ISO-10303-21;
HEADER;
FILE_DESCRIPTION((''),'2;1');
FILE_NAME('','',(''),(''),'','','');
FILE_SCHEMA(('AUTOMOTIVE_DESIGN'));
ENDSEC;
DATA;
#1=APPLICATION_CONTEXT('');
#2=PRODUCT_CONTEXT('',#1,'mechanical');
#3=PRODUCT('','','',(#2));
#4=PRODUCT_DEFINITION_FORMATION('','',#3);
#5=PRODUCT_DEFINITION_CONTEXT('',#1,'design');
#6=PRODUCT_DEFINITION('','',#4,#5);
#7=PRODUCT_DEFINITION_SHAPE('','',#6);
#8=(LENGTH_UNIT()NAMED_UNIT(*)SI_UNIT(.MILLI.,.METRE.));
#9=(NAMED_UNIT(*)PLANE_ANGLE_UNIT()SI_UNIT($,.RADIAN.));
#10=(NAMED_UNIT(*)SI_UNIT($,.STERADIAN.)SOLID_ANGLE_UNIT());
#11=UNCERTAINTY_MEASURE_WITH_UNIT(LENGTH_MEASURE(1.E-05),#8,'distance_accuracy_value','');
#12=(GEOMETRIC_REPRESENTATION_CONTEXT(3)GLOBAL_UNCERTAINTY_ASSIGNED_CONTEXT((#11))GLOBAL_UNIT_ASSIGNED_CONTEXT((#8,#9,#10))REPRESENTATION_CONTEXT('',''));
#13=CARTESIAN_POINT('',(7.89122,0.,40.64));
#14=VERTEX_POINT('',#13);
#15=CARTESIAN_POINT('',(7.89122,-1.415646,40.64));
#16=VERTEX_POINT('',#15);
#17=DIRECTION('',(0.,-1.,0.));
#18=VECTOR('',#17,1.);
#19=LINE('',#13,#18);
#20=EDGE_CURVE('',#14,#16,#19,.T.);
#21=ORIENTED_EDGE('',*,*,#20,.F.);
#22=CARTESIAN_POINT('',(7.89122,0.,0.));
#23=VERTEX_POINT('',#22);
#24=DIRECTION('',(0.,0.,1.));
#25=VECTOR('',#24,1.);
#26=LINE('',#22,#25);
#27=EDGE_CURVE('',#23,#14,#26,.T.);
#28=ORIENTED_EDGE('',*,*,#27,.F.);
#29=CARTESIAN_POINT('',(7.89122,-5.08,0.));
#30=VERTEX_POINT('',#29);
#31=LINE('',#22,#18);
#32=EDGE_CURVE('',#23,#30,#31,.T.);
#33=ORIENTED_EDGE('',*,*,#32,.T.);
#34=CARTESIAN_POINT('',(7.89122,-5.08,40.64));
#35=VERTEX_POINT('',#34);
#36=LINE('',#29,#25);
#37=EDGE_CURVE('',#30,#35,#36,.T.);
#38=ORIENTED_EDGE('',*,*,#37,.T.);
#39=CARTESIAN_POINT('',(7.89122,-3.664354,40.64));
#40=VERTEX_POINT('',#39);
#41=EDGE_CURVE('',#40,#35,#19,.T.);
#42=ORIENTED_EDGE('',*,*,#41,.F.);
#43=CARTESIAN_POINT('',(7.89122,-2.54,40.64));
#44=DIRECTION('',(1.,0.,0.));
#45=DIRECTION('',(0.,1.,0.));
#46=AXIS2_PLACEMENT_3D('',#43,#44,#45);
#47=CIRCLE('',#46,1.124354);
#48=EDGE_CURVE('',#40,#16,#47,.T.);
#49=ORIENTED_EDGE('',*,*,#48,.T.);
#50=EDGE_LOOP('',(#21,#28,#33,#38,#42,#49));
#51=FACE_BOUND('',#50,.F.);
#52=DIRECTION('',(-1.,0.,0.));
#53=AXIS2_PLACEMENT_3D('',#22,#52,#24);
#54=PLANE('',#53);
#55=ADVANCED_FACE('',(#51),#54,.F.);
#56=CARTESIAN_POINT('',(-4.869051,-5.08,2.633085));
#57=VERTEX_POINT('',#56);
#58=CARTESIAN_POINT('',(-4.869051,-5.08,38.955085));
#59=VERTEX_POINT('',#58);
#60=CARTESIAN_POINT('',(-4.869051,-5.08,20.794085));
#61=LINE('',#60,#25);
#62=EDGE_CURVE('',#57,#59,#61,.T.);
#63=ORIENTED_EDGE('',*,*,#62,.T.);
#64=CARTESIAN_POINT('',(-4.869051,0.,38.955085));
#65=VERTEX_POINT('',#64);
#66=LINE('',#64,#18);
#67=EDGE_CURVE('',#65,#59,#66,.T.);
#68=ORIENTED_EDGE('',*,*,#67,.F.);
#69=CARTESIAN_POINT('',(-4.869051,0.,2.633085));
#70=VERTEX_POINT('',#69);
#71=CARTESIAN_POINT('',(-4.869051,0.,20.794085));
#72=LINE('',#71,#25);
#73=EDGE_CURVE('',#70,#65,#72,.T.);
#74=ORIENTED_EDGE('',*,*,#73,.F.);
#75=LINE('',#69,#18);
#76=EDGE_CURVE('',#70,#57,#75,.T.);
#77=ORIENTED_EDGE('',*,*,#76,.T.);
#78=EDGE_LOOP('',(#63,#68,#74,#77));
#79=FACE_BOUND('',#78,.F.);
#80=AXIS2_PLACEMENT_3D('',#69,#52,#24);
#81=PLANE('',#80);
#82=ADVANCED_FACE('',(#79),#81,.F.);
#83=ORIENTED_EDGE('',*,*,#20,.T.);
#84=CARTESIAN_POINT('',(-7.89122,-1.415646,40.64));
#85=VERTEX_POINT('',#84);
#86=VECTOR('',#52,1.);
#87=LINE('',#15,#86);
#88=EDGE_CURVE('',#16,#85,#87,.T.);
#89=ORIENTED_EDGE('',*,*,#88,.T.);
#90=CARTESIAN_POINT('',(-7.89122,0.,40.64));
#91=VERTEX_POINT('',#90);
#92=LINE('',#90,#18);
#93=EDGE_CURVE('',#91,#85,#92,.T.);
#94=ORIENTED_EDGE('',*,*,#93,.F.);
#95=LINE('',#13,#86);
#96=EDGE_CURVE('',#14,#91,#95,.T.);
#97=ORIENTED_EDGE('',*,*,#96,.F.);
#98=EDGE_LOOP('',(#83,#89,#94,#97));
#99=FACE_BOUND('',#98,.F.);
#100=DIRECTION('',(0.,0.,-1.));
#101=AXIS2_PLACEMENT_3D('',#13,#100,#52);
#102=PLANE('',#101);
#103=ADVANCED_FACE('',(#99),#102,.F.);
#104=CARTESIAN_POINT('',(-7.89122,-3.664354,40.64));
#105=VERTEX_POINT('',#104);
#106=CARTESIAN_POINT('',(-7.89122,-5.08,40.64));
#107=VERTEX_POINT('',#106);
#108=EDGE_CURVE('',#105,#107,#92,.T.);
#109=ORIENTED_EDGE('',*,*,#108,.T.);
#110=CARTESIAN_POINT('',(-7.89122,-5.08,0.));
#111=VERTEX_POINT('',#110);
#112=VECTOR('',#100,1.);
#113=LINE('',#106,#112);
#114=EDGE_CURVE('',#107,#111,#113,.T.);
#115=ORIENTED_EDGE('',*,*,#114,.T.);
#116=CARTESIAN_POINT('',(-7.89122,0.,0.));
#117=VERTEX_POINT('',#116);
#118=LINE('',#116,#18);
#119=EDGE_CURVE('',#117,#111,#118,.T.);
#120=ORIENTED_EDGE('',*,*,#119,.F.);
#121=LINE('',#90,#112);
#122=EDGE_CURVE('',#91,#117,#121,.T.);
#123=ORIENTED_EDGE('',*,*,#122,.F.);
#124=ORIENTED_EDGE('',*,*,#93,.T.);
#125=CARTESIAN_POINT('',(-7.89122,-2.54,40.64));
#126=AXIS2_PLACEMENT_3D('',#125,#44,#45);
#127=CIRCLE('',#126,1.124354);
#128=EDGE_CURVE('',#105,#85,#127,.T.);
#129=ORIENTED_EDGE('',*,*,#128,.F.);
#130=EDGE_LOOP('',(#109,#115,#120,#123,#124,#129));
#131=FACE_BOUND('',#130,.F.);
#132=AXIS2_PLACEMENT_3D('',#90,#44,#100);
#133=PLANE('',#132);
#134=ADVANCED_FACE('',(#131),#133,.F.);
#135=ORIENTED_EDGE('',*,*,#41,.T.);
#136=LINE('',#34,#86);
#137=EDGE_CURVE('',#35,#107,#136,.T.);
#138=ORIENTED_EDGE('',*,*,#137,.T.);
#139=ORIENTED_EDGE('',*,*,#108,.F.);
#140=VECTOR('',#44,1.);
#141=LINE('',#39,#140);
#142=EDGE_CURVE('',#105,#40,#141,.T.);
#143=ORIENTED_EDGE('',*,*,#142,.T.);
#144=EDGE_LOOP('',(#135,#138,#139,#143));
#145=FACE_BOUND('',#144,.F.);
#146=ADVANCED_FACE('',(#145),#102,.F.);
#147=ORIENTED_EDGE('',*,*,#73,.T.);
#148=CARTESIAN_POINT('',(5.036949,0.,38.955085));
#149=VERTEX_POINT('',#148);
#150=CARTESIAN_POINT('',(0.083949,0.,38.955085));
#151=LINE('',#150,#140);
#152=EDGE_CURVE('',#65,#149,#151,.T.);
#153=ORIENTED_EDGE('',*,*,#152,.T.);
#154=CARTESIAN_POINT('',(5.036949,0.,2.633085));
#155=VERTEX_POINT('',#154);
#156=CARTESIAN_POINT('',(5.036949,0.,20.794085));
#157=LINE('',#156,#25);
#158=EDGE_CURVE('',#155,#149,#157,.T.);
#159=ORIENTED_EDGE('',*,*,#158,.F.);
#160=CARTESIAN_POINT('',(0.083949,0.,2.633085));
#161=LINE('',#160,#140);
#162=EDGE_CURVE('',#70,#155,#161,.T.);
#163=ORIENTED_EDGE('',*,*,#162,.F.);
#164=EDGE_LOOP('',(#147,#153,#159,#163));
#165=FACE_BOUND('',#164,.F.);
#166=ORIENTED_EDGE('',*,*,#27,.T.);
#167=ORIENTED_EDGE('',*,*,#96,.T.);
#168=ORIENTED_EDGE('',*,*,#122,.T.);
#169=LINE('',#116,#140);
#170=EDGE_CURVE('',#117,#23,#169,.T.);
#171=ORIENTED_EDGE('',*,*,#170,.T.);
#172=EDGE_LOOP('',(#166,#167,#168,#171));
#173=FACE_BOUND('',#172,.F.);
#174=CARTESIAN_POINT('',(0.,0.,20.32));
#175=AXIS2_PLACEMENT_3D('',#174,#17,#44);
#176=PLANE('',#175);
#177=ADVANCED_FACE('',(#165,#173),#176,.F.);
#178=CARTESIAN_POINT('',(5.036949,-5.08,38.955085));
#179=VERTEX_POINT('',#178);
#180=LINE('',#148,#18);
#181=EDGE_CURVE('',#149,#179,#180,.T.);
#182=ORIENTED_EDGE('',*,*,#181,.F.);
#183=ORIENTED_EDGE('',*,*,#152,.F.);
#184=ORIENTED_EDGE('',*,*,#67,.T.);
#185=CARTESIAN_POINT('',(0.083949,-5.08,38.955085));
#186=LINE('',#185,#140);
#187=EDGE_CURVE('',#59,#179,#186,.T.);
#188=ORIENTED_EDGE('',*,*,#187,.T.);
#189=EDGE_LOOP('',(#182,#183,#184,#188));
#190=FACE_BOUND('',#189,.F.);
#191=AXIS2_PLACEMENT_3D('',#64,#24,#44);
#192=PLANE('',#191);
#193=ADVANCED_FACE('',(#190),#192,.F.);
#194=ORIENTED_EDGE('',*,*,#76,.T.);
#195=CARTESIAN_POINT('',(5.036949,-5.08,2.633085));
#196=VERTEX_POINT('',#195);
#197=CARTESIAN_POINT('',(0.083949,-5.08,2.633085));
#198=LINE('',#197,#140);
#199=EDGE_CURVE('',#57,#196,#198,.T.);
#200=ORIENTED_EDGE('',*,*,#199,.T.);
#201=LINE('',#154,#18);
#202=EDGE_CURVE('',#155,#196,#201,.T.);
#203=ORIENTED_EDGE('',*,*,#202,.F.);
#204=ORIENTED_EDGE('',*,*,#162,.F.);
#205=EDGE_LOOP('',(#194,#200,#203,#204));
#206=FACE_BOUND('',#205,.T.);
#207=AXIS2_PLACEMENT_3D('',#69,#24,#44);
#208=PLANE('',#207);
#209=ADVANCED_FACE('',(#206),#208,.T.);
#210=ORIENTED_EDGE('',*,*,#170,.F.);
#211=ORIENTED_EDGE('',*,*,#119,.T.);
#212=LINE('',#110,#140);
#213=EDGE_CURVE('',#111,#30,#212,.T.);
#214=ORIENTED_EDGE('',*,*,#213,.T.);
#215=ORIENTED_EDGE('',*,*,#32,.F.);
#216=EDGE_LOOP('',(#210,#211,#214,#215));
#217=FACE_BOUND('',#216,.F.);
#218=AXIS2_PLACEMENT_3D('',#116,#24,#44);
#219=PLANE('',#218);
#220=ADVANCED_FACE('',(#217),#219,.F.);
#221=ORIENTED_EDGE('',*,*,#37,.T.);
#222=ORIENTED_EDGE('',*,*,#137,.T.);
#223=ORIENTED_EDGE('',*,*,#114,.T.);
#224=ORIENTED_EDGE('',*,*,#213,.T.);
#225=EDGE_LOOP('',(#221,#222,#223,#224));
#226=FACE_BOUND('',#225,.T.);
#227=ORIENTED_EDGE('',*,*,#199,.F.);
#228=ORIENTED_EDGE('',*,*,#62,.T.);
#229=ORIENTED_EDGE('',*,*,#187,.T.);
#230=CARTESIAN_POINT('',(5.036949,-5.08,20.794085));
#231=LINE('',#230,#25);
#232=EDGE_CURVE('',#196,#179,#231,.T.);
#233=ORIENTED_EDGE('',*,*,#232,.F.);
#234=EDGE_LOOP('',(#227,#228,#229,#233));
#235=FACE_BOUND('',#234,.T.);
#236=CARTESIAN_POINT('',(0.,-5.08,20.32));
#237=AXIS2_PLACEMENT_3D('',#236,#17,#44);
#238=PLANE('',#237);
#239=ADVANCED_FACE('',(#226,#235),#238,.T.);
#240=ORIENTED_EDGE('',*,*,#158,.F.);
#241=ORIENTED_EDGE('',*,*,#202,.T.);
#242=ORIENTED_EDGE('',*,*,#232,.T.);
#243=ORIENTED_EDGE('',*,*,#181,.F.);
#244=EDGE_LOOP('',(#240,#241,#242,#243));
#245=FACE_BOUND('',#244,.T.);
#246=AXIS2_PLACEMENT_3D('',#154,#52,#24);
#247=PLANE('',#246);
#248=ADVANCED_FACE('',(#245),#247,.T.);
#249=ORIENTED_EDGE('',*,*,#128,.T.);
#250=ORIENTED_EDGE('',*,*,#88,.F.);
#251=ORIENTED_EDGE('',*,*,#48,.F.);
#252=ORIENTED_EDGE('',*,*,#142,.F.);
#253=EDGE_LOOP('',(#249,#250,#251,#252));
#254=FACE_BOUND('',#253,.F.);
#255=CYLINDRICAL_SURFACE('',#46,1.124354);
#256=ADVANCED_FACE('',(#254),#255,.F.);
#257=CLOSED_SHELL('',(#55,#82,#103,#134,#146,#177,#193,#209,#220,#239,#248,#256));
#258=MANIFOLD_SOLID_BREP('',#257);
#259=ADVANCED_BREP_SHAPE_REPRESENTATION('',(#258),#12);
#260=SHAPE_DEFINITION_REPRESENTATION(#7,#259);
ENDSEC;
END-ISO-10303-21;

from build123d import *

# Parameters (mm, degrees)
F0_W     = 9.906
F0_H     = 36.322
F1_DEPTH = 5.08
F2_R     = 1.124354
F3_DEPTH = 25.4


with BuildPart() as f1:
    # F0 (on Front) → F1 (new body)
    with BuildSketch(Plane.XZ):
        Polygon((-7.89122, 0), (-4.869051, 0), (0, 0), (7.89122, 0), (7.89122, 40.64), (-7.89122, 40.64), align=None)
        with Locations((0.083949, 20.794085)):
            Rectangle(F0_W, F0_H, mode=Mode.SUBTRACT)
    extrude(amount=F1_DEPTH)

    # F2 (on face) → F3 (cut)
    with BuildSketch(Plane.YZ.offset(7.89122)):
        with Locations((-2.54, 40.64)):
            Circle(F2_R)
    extrude(amount=-F3_DEPTH, mode=Mode.SUBTRACT)


solid = f1.part
